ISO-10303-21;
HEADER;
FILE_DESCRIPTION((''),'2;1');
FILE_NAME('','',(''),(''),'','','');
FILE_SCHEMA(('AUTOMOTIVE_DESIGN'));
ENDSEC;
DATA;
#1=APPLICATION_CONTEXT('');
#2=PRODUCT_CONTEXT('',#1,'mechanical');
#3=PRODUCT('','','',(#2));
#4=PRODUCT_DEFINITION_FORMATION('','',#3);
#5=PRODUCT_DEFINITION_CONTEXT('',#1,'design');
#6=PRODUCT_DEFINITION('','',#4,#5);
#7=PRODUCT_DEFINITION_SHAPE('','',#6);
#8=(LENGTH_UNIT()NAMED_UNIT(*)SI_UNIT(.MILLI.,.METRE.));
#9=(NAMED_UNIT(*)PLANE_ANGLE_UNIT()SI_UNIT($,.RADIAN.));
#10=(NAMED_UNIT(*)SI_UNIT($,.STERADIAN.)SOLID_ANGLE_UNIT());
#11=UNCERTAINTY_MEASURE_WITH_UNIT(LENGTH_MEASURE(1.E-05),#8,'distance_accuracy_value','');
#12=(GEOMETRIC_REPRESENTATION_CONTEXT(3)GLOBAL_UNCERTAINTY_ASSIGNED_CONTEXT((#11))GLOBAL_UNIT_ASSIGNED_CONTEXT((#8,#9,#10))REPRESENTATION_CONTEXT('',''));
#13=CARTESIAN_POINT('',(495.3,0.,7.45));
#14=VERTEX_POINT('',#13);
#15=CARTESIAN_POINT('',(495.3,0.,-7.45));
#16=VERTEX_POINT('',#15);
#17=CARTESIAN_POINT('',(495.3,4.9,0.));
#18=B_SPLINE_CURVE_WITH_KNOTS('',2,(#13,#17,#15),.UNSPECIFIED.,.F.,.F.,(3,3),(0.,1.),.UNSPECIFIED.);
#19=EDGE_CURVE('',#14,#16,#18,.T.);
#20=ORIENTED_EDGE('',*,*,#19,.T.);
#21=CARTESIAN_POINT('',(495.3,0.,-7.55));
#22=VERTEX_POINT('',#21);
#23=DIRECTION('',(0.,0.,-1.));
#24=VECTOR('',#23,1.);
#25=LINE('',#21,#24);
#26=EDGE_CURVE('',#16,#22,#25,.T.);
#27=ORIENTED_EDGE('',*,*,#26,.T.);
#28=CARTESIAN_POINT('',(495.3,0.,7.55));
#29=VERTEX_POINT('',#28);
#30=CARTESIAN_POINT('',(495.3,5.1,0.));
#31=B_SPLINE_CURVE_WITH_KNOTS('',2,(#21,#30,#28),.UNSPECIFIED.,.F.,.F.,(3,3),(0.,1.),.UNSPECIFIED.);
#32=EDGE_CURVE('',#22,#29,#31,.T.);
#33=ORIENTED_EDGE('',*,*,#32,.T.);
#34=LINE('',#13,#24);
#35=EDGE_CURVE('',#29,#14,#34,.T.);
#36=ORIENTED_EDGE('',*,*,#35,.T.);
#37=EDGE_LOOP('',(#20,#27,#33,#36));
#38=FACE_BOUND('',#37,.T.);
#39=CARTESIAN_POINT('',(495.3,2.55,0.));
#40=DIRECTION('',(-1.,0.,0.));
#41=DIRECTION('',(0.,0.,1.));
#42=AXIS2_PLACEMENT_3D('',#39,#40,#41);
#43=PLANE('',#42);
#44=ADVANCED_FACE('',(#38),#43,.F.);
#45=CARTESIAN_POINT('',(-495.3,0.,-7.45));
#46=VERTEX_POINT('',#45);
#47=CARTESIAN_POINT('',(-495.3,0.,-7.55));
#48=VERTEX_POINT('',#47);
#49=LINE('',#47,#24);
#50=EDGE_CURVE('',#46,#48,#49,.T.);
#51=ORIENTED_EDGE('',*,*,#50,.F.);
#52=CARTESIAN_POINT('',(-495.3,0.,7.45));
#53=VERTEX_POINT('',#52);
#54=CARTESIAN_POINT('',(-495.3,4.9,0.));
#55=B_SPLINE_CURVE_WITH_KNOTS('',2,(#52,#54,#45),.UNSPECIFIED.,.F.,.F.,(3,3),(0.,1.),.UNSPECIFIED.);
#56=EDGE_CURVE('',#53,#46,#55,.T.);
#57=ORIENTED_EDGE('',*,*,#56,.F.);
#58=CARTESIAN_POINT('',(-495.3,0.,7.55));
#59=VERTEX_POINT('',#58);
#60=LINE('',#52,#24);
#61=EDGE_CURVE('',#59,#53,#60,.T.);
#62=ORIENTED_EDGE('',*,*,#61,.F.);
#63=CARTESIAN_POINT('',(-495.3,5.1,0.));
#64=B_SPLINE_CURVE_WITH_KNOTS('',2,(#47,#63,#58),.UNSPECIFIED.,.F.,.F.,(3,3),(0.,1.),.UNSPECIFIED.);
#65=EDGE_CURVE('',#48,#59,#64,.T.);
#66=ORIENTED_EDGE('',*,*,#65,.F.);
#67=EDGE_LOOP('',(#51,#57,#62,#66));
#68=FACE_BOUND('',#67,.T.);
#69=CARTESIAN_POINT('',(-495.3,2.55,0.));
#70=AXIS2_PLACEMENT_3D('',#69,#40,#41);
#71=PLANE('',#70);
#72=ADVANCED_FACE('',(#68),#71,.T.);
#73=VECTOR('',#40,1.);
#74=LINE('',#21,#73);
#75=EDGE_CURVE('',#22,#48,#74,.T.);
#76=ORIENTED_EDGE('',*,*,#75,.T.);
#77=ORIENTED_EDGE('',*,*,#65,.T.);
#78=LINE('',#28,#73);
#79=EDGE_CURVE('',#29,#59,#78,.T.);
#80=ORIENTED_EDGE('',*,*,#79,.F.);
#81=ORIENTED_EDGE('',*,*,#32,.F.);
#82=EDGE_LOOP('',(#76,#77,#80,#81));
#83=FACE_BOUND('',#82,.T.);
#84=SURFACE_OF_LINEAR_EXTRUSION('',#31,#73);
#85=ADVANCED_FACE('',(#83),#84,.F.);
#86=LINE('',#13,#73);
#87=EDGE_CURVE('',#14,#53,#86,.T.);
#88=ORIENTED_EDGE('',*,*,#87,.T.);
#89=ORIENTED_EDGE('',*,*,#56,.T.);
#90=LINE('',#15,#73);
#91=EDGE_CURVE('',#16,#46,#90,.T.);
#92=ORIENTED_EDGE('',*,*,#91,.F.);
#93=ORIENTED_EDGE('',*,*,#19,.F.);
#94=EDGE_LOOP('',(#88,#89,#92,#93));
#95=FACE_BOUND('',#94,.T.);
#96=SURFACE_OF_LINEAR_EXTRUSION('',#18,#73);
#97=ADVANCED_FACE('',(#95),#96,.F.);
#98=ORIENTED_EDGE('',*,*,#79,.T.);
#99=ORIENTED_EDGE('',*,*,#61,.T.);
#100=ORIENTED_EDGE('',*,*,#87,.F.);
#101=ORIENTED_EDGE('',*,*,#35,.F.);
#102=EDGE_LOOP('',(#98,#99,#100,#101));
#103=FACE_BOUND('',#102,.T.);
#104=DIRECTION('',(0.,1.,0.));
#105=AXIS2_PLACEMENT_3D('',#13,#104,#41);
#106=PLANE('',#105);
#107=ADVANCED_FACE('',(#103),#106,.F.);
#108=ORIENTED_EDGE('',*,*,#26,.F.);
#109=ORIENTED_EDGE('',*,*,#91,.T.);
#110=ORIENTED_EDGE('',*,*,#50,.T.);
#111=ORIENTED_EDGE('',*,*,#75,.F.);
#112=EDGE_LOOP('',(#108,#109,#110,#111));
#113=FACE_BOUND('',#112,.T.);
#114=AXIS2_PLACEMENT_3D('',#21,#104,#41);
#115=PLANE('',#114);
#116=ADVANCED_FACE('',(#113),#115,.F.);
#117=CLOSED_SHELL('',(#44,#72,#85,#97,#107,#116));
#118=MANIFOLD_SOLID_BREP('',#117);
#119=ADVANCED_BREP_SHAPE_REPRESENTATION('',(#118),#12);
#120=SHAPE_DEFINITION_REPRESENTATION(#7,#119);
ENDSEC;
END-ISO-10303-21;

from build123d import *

# Parameters (mm, degrees)
BOSS_EXTRUDE1_DEPTH = 495.3


with BuildPart() as part:
    # Sketch1 → Boss-Extrude1 (new body, symmetric)
    with BuildSketch(Plane(origin=(0, 0, 0), x_dir=(0, 0, -1), z_dir=(1, 0, 0))):
        with BuildLine():
            Line((7.55, 0), (7.45, 0))
            add(Edge.make_bspline(
                [(-7.45, 0), (0, 4.9), (7.45, 0)],
                knots=[0, 0, 0, 1, 1, 1], degree=2))
            Line((-7.45, 0), (-7.55, 0))
            add(Edge.make_bspline(
                [(7.55, 0), (0, 5.1), (-7.55, 0)],
                knots=[0, 0, 0, 1, 1, 1], degree=2))
        make_face()
    extrude(amount=BOSS_EXTRUDE1_DEPTH, both=True)


solid = part.part
